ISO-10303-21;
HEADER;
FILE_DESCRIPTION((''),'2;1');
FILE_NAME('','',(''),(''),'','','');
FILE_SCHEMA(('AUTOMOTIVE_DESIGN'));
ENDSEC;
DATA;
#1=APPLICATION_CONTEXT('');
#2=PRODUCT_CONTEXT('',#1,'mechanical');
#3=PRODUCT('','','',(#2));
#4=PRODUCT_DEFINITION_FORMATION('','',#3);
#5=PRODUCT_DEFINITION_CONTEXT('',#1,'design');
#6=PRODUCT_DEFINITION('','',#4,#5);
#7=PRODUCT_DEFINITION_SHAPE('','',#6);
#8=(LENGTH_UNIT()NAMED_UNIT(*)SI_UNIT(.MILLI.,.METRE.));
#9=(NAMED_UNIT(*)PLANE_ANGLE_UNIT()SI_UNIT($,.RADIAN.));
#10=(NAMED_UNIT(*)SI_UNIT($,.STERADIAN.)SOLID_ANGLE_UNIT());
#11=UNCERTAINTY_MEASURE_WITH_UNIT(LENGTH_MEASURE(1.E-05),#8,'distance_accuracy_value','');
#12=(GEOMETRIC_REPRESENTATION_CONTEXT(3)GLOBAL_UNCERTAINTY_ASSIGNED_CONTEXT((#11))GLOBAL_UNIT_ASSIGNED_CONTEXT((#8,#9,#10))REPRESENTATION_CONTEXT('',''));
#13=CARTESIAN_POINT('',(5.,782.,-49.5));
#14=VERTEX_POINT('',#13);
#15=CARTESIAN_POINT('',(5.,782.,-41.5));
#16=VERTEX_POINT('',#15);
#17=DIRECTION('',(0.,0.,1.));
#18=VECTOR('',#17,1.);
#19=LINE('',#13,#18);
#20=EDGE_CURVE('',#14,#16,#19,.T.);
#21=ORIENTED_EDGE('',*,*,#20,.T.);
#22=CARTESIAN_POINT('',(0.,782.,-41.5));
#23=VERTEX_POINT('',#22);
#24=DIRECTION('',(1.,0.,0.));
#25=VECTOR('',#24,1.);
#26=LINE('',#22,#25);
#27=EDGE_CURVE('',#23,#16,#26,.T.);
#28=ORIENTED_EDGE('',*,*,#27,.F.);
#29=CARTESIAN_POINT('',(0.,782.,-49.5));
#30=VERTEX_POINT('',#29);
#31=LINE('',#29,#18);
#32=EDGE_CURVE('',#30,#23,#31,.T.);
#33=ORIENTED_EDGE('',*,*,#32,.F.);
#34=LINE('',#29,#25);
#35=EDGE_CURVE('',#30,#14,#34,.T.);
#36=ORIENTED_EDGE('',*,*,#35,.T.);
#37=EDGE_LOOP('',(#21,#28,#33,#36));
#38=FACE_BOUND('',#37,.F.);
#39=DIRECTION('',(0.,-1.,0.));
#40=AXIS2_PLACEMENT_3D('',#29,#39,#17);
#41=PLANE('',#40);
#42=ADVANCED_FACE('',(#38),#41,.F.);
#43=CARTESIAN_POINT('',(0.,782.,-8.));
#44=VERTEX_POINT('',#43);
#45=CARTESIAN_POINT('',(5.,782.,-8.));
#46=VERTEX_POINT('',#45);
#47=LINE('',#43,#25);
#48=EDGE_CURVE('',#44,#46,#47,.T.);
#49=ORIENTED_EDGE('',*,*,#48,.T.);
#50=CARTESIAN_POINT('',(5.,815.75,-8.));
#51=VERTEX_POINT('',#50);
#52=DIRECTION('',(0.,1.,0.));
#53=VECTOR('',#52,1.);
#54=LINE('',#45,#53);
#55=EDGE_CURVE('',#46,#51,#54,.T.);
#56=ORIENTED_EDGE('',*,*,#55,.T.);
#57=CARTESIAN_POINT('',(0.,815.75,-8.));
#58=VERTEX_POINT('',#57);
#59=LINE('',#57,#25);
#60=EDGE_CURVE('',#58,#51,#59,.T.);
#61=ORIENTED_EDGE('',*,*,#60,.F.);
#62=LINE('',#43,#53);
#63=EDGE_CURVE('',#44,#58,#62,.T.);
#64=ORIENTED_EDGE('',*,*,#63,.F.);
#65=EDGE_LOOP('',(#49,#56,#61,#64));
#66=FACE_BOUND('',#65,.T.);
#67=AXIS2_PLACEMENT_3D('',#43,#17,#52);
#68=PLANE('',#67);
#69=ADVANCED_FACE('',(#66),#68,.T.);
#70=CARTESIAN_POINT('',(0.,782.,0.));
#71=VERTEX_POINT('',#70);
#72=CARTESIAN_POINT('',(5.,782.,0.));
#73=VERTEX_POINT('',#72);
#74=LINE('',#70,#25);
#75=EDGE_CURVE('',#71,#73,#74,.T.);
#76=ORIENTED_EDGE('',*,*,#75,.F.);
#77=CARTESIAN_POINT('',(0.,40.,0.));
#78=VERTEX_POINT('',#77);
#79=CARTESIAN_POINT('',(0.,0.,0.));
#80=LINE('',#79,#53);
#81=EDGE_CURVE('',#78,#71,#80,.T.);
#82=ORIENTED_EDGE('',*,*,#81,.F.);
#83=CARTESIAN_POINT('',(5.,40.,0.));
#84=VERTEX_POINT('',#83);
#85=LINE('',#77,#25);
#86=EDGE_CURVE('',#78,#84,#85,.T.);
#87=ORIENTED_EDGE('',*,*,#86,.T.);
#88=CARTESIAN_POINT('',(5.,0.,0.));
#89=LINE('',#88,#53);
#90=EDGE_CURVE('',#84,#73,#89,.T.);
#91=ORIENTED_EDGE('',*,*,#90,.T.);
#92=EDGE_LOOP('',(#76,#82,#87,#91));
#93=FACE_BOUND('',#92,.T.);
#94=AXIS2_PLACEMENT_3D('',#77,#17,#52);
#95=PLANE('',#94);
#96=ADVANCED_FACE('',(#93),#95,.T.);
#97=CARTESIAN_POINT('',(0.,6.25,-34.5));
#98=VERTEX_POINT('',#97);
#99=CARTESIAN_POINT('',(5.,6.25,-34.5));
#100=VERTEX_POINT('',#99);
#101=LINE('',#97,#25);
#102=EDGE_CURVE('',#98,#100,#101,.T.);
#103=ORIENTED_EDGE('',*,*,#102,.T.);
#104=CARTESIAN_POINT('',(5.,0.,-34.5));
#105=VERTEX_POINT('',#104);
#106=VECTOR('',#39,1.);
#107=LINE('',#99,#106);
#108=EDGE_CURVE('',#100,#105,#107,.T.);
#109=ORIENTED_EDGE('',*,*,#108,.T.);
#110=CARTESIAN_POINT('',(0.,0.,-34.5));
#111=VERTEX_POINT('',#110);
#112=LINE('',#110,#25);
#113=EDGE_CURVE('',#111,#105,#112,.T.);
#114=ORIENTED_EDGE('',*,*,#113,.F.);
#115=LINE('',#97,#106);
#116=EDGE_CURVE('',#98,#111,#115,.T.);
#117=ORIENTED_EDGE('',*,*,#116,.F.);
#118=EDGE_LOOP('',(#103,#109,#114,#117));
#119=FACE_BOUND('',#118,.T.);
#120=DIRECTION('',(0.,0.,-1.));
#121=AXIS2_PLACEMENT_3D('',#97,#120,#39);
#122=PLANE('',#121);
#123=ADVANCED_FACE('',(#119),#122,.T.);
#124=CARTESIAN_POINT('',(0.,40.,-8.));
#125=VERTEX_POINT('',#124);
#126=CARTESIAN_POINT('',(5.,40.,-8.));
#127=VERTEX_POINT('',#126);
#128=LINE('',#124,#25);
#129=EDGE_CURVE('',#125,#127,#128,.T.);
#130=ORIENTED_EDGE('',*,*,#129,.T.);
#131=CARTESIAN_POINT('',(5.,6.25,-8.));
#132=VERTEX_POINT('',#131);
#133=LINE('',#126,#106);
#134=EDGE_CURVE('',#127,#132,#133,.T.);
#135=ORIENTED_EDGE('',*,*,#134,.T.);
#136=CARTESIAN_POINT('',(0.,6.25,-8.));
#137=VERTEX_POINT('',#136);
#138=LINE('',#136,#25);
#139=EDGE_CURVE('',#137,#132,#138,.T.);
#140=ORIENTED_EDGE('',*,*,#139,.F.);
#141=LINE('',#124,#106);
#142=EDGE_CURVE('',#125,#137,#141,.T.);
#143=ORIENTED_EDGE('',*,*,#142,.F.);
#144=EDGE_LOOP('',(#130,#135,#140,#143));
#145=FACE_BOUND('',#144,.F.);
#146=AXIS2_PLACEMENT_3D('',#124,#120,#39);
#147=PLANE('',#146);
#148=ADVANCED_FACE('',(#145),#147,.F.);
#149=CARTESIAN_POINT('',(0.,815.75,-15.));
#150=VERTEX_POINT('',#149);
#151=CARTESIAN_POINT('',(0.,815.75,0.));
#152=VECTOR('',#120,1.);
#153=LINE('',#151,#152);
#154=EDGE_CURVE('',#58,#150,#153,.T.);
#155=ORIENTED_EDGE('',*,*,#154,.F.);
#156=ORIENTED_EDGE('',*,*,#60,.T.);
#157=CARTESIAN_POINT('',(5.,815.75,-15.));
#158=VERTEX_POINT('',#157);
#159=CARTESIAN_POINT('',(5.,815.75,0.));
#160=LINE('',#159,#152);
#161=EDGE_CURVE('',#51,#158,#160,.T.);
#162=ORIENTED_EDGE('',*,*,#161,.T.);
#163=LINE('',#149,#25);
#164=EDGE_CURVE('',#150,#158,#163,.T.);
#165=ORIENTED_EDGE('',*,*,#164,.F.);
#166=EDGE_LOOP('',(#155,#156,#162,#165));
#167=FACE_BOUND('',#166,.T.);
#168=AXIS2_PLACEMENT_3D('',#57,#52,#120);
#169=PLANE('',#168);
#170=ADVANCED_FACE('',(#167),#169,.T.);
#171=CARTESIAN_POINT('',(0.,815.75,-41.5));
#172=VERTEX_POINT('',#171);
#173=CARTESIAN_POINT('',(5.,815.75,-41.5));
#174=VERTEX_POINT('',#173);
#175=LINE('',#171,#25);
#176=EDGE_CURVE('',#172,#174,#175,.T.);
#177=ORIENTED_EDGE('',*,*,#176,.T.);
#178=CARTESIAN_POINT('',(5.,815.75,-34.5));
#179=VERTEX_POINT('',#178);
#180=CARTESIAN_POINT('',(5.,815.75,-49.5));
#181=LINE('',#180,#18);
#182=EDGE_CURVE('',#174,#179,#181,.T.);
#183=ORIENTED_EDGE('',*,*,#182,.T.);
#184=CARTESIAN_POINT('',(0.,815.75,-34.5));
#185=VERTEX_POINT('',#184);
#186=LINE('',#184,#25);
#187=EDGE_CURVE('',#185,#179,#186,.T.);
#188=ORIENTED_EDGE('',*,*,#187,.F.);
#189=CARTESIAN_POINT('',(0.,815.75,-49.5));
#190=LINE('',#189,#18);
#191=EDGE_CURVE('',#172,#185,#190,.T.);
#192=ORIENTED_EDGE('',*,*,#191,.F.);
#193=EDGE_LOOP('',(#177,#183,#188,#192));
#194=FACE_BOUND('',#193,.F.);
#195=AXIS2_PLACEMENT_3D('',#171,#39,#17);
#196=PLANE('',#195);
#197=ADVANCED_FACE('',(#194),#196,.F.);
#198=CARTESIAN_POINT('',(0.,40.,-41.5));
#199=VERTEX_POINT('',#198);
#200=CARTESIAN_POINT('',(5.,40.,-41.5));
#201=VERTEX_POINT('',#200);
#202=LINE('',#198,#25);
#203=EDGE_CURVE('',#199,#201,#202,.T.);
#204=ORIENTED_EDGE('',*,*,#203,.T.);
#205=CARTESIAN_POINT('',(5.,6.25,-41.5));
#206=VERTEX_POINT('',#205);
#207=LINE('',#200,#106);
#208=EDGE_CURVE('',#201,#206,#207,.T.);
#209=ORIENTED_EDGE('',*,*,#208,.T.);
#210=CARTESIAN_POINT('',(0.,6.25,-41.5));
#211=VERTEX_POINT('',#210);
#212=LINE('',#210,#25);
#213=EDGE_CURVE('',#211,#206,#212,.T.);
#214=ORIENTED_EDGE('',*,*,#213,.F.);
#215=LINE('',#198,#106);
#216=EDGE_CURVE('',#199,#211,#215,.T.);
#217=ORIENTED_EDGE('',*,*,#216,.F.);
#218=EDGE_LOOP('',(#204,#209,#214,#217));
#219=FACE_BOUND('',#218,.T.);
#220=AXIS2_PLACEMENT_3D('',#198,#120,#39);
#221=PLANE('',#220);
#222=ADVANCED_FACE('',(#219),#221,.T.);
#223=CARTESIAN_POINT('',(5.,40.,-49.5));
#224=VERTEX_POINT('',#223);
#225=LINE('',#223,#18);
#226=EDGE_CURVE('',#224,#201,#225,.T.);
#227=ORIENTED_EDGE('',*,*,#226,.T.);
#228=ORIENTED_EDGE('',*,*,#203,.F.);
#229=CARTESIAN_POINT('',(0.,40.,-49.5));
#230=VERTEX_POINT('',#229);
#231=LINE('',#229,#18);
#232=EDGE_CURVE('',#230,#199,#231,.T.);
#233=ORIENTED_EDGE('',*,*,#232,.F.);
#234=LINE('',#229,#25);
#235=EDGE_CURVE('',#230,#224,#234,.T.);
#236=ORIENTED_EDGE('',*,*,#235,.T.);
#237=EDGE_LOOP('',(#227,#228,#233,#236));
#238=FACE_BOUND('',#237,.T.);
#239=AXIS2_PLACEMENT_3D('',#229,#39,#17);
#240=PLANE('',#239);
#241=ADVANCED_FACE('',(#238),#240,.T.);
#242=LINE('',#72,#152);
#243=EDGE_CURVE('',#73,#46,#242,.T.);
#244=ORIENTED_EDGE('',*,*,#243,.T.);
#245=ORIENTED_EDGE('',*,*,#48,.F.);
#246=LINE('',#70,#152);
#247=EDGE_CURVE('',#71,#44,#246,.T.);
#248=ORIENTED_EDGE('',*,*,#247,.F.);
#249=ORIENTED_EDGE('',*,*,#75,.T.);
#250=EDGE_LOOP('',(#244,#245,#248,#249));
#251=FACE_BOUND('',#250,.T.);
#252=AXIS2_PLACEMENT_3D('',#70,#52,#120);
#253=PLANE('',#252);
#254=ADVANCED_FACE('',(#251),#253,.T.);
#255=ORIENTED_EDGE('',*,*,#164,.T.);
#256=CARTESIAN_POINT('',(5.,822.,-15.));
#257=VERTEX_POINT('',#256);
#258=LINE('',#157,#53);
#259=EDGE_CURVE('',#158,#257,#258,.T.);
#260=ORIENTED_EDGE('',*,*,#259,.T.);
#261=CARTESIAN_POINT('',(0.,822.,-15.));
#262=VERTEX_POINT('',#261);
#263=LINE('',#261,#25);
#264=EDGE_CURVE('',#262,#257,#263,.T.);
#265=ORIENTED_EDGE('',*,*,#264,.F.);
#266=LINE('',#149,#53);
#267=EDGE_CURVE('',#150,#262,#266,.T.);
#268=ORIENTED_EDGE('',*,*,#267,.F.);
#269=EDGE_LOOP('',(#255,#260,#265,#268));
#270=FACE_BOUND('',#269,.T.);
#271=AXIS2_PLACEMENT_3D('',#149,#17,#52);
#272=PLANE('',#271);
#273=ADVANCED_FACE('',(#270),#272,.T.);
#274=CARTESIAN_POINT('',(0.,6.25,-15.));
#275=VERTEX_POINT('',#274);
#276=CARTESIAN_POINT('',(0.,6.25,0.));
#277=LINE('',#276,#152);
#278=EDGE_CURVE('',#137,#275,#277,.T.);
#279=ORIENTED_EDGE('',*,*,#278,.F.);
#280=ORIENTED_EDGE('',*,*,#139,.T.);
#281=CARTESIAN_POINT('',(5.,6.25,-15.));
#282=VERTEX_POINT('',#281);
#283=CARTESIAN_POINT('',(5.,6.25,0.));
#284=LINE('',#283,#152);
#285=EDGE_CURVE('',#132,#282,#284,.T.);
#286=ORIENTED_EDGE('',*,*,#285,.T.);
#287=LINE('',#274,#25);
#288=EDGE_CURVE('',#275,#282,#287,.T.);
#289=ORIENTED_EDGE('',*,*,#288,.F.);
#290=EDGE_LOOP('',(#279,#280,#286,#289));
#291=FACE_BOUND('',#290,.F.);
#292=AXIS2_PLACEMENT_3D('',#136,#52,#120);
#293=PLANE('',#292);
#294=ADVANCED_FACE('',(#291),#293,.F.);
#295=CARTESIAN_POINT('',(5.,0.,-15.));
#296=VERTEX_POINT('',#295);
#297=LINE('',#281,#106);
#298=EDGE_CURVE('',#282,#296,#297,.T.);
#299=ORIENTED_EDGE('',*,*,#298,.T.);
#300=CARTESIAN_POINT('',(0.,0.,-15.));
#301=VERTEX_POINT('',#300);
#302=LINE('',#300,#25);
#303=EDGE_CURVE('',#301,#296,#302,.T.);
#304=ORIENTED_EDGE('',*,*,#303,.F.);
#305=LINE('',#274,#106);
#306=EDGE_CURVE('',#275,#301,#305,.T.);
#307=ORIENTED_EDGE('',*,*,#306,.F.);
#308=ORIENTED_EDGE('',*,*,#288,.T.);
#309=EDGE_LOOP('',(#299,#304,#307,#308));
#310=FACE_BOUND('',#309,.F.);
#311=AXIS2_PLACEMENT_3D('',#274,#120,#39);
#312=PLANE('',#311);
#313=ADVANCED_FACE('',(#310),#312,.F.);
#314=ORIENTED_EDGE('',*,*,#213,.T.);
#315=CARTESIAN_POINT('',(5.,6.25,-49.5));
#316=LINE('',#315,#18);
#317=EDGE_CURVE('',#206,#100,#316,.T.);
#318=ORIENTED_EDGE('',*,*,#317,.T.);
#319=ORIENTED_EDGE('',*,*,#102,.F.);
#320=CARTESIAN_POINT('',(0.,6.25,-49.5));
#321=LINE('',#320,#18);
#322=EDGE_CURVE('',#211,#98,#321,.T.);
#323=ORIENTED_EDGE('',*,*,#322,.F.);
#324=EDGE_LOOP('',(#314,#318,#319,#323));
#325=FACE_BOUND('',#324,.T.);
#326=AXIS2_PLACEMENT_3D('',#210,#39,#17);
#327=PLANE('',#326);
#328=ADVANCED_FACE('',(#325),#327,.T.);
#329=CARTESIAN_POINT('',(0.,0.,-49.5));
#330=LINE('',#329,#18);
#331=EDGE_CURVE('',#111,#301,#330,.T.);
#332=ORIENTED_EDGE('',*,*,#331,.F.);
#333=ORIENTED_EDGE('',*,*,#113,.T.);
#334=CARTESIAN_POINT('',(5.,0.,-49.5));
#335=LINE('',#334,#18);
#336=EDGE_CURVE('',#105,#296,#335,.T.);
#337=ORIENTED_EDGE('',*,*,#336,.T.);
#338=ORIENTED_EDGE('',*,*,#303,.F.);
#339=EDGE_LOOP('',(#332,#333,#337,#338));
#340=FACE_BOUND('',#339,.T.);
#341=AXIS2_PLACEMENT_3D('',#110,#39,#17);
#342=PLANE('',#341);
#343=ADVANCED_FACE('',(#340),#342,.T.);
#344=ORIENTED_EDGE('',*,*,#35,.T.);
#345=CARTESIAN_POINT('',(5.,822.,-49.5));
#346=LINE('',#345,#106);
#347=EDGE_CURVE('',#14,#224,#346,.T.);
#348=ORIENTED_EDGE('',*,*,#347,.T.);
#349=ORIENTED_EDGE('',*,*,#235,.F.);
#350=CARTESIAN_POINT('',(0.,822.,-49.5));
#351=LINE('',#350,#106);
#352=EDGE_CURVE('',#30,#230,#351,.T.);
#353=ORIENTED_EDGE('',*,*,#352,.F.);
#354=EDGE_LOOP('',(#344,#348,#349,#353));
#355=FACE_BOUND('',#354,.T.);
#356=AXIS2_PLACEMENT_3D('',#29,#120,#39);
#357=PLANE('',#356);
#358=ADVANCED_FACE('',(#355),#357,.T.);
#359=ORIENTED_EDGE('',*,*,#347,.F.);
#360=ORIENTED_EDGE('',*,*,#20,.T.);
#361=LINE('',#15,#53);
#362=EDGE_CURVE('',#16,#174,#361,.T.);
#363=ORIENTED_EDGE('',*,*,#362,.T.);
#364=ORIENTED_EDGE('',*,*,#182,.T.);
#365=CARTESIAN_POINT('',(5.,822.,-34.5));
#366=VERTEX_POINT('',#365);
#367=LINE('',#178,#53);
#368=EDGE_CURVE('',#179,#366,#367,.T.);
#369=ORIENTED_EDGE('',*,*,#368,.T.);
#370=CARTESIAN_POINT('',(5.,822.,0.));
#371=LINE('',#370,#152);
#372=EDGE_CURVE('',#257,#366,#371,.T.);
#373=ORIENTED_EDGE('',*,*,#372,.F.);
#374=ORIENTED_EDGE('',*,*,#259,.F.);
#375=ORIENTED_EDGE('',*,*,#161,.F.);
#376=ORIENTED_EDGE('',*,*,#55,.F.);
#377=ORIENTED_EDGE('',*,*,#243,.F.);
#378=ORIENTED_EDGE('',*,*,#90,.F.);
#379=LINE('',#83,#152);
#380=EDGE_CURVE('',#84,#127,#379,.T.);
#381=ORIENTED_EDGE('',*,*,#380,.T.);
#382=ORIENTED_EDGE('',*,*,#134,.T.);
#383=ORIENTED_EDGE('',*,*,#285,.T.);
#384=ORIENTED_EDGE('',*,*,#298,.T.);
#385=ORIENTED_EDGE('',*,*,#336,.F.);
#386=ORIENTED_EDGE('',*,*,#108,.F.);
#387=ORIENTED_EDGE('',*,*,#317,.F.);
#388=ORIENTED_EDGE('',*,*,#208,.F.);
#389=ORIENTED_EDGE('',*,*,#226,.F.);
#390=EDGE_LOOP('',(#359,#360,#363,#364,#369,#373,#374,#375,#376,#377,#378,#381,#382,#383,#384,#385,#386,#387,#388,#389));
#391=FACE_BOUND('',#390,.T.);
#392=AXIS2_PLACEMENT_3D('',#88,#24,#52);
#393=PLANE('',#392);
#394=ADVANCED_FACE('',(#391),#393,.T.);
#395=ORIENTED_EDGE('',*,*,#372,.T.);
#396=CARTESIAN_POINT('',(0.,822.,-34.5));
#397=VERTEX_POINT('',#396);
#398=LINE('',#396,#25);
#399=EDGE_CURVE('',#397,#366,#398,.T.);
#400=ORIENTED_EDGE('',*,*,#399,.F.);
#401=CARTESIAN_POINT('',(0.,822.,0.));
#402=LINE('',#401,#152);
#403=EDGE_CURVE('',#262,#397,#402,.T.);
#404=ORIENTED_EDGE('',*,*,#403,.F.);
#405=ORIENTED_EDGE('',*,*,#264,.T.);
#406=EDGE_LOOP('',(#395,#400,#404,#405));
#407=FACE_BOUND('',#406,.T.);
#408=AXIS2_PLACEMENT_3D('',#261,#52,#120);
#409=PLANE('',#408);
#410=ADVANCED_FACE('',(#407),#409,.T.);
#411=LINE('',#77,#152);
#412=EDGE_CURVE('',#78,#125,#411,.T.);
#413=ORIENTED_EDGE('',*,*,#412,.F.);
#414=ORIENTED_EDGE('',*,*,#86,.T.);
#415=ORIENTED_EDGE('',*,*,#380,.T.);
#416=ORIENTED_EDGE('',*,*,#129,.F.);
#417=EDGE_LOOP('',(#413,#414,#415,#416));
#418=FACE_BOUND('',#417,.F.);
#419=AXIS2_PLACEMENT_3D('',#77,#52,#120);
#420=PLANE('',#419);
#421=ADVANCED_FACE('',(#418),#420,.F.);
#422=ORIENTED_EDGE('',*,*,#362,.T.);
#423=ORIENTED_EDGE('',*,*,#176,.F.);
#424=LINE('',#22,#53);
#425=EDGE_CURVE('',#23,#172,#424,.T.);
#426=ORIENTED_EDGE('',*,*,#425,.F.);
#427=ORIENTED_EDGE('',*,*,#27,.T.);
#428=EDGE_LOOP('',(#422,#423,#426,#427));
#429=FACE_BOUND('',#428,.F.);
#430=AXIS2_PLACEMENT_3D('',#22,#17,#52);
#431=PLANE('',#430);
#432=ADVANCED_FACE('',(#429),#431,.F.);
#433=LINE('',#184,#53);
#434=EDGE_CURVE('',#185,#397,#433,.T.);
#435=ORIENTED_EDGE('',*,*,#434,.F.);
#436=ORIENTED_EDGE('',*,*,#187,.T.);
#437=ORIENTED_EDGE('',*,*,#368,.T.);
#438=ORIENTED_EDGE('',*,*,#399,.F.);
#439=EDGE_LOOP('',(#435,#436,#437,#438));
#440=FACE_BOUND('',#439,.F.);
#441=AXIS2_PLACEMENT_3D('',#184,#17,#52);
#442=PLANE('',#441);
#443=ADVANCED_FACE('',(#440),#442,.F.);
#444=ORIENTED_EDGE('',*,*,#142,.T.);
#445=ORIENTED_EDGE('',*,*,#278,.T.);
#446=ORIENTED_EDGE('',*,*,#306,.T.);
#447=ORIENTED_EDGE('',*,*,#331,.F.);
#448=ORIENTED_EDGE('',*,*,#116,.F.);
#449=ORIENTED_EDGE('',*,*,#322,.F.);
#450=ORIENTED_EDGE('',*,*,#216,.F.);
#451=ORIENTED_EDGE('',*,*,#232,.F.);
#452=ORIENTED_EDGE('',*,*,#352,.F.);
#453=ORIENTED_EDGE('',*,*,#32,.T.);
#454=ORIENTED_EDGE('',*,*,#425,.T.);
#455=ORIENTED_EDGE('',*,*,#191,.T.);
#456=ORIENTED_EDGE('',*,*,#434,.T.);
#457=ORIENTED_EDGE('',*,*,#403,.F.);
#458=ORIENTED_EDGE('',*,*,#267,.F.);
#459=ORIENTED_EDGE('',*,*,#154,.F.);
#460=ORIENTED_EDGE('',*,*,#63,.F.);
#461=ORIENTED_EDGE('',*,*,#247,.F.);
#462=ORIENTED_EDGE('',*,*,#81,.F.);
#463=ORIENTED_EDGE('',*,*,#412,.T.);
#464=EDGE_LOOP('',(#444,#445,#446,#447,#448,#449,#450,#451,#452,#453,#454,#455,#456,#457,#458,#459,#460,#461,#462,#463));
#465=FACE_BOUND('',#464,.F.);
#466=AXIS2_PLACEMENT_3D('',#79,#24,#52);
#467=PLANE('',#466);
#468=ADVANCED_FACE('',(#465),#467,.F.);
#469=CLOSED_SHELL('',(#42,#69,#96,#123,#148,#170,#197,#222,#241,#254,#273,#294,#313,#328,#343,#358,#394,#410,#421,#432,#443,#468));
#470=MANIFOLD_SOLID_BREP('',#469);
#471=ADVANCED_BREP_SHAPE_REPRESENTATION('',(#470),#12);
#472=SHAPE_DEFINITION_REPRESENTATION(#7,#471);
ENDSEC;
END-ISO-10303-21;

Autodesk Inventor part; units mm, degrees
ref_plane "YZ Plane" through (0, 0, 0) normal (1, 0, 0) x (0, 1, 0)
ref_plane "XZ Plane" through (0, 0, 0) normal (0, 1, 0) x (-1, 0, 0)
ref_plane "XY Plane" through (0, 0, 0) normal (0, 0, 1) x (1, 0, 0)
sketch "Sketch1" plane through (0, 0, 0) normal (1, 0, 0) x (0, 1, 0)
  line L0 (0, 0) -> (822, 0)
  line L1 (822, 0) -> (822, -49.5)
  line L2 (822, -49.5) -> (0, -49.5)
  line L3 (0, -49.5) -> (0, 0)
  line L4 (822, 0) -> (815.75, 0)
  line L5 (815.75, 0) -> (815.75, -15)
  line L6 (815.75, -15) -> (822, -15)
  line L7 (822, -15) -> (822, 0)
  line L8 (822, 0) -> (782, 0)
  line L9 (782, 0) -> (782, -8)
  line L10 (782, -8) -> (822, -8)
  line L11 (822, -8) -> (822, 0)
  line L12 (856.5319, -24.75) -> (-65.1606, -24.75) construction
  line L13 (411, 165.682) -> (411, -1074.2454) construction
  line L14 (822, -49.5) -> (815.75, -49.5)
  line L15 (815.75, -49.5) -> (815.75, -34.5)
  line L16 (815.75, -34.5) -> (822, -34.5)
  line L17 (822, -34.5) -> (822, -49.5)
  line L18 (822, -49.5) -> (782, -49.5)
  line L19 (782, -49.5) -> (782, -41.5)
  line L20 (782, -41.5) -> (822, -41.5)
  line L21 (822, -41.5) -> (822, -49.5)
  line L22 (0, 0) -> (0, -49.5)
  line L23 (0, 0) -> (6.25, 0)
  line L24 (6.25, 0) -> (6.25, -15)
  line L25 (6.25, -15) -> (0, -15)
  line L26 (0, -15) -> (0, 0)
  line L27 (0, 0) -> (40, 0)
  line L28 (40, 0) -> (40, -8)
  line L29 (40, -8) -> (0, -8)
  line L30 (0, -8) -> (0, 0)
  line L31 (6.25, -34.5) -> (0, -34.5)
  line L32 (40, -41.5) -> (0, -41.5)
  line L33 (0, -49.5) -> (6.25, -49.5)
  line L34 (6.25, -49.5) -> (6.25, -34.5)
  line L35 (0, -34.5) -> (0, -49.5)
  line L36 (0, -49.5) -> (40, -49.5)
  line L37 (40, -49.5) -> (40, -41.5)
  line L38 (0, -41.5) -> (0, -49.5)
  point P0 (40, -49.5)
  point P1 (782, -49.5)
  point P2 (815.75, -41.5)
  point P3 (822, -34.5)
  point P4 (822, -15)
  point P5 (815.75, -8)
  point P6 (782, 0)
  point P7 (40, 0)
  point P8 (6.25, -8)
  point P9 (0, -15)
  point P10 (0, -34.5)
  point P11 (6.25, -41.5)
  dimension "d0" = 822
  dimension "d1" = 49.5
  dimension "d2" = 15
  dimension "d3" = 40
  dimension "d4" = 8
  dimension "d5" = 6.25
  dimension "d6" = 24.75
  dimension "d7" = 411
extrude "Extrusion1" add sketch "Sketch1" along normal blind 5 contours L0 L9 L10 L5 L6 L1 L16 L15 L20 L19 L2 L37 L32 L34 L31 L3 L25 L24 L29 L28
equation "\"d6\" = 0.5 * d1"
equation "\"d7\" = 0.5 * d0"
properties part number "Acrly_Wand_1"
